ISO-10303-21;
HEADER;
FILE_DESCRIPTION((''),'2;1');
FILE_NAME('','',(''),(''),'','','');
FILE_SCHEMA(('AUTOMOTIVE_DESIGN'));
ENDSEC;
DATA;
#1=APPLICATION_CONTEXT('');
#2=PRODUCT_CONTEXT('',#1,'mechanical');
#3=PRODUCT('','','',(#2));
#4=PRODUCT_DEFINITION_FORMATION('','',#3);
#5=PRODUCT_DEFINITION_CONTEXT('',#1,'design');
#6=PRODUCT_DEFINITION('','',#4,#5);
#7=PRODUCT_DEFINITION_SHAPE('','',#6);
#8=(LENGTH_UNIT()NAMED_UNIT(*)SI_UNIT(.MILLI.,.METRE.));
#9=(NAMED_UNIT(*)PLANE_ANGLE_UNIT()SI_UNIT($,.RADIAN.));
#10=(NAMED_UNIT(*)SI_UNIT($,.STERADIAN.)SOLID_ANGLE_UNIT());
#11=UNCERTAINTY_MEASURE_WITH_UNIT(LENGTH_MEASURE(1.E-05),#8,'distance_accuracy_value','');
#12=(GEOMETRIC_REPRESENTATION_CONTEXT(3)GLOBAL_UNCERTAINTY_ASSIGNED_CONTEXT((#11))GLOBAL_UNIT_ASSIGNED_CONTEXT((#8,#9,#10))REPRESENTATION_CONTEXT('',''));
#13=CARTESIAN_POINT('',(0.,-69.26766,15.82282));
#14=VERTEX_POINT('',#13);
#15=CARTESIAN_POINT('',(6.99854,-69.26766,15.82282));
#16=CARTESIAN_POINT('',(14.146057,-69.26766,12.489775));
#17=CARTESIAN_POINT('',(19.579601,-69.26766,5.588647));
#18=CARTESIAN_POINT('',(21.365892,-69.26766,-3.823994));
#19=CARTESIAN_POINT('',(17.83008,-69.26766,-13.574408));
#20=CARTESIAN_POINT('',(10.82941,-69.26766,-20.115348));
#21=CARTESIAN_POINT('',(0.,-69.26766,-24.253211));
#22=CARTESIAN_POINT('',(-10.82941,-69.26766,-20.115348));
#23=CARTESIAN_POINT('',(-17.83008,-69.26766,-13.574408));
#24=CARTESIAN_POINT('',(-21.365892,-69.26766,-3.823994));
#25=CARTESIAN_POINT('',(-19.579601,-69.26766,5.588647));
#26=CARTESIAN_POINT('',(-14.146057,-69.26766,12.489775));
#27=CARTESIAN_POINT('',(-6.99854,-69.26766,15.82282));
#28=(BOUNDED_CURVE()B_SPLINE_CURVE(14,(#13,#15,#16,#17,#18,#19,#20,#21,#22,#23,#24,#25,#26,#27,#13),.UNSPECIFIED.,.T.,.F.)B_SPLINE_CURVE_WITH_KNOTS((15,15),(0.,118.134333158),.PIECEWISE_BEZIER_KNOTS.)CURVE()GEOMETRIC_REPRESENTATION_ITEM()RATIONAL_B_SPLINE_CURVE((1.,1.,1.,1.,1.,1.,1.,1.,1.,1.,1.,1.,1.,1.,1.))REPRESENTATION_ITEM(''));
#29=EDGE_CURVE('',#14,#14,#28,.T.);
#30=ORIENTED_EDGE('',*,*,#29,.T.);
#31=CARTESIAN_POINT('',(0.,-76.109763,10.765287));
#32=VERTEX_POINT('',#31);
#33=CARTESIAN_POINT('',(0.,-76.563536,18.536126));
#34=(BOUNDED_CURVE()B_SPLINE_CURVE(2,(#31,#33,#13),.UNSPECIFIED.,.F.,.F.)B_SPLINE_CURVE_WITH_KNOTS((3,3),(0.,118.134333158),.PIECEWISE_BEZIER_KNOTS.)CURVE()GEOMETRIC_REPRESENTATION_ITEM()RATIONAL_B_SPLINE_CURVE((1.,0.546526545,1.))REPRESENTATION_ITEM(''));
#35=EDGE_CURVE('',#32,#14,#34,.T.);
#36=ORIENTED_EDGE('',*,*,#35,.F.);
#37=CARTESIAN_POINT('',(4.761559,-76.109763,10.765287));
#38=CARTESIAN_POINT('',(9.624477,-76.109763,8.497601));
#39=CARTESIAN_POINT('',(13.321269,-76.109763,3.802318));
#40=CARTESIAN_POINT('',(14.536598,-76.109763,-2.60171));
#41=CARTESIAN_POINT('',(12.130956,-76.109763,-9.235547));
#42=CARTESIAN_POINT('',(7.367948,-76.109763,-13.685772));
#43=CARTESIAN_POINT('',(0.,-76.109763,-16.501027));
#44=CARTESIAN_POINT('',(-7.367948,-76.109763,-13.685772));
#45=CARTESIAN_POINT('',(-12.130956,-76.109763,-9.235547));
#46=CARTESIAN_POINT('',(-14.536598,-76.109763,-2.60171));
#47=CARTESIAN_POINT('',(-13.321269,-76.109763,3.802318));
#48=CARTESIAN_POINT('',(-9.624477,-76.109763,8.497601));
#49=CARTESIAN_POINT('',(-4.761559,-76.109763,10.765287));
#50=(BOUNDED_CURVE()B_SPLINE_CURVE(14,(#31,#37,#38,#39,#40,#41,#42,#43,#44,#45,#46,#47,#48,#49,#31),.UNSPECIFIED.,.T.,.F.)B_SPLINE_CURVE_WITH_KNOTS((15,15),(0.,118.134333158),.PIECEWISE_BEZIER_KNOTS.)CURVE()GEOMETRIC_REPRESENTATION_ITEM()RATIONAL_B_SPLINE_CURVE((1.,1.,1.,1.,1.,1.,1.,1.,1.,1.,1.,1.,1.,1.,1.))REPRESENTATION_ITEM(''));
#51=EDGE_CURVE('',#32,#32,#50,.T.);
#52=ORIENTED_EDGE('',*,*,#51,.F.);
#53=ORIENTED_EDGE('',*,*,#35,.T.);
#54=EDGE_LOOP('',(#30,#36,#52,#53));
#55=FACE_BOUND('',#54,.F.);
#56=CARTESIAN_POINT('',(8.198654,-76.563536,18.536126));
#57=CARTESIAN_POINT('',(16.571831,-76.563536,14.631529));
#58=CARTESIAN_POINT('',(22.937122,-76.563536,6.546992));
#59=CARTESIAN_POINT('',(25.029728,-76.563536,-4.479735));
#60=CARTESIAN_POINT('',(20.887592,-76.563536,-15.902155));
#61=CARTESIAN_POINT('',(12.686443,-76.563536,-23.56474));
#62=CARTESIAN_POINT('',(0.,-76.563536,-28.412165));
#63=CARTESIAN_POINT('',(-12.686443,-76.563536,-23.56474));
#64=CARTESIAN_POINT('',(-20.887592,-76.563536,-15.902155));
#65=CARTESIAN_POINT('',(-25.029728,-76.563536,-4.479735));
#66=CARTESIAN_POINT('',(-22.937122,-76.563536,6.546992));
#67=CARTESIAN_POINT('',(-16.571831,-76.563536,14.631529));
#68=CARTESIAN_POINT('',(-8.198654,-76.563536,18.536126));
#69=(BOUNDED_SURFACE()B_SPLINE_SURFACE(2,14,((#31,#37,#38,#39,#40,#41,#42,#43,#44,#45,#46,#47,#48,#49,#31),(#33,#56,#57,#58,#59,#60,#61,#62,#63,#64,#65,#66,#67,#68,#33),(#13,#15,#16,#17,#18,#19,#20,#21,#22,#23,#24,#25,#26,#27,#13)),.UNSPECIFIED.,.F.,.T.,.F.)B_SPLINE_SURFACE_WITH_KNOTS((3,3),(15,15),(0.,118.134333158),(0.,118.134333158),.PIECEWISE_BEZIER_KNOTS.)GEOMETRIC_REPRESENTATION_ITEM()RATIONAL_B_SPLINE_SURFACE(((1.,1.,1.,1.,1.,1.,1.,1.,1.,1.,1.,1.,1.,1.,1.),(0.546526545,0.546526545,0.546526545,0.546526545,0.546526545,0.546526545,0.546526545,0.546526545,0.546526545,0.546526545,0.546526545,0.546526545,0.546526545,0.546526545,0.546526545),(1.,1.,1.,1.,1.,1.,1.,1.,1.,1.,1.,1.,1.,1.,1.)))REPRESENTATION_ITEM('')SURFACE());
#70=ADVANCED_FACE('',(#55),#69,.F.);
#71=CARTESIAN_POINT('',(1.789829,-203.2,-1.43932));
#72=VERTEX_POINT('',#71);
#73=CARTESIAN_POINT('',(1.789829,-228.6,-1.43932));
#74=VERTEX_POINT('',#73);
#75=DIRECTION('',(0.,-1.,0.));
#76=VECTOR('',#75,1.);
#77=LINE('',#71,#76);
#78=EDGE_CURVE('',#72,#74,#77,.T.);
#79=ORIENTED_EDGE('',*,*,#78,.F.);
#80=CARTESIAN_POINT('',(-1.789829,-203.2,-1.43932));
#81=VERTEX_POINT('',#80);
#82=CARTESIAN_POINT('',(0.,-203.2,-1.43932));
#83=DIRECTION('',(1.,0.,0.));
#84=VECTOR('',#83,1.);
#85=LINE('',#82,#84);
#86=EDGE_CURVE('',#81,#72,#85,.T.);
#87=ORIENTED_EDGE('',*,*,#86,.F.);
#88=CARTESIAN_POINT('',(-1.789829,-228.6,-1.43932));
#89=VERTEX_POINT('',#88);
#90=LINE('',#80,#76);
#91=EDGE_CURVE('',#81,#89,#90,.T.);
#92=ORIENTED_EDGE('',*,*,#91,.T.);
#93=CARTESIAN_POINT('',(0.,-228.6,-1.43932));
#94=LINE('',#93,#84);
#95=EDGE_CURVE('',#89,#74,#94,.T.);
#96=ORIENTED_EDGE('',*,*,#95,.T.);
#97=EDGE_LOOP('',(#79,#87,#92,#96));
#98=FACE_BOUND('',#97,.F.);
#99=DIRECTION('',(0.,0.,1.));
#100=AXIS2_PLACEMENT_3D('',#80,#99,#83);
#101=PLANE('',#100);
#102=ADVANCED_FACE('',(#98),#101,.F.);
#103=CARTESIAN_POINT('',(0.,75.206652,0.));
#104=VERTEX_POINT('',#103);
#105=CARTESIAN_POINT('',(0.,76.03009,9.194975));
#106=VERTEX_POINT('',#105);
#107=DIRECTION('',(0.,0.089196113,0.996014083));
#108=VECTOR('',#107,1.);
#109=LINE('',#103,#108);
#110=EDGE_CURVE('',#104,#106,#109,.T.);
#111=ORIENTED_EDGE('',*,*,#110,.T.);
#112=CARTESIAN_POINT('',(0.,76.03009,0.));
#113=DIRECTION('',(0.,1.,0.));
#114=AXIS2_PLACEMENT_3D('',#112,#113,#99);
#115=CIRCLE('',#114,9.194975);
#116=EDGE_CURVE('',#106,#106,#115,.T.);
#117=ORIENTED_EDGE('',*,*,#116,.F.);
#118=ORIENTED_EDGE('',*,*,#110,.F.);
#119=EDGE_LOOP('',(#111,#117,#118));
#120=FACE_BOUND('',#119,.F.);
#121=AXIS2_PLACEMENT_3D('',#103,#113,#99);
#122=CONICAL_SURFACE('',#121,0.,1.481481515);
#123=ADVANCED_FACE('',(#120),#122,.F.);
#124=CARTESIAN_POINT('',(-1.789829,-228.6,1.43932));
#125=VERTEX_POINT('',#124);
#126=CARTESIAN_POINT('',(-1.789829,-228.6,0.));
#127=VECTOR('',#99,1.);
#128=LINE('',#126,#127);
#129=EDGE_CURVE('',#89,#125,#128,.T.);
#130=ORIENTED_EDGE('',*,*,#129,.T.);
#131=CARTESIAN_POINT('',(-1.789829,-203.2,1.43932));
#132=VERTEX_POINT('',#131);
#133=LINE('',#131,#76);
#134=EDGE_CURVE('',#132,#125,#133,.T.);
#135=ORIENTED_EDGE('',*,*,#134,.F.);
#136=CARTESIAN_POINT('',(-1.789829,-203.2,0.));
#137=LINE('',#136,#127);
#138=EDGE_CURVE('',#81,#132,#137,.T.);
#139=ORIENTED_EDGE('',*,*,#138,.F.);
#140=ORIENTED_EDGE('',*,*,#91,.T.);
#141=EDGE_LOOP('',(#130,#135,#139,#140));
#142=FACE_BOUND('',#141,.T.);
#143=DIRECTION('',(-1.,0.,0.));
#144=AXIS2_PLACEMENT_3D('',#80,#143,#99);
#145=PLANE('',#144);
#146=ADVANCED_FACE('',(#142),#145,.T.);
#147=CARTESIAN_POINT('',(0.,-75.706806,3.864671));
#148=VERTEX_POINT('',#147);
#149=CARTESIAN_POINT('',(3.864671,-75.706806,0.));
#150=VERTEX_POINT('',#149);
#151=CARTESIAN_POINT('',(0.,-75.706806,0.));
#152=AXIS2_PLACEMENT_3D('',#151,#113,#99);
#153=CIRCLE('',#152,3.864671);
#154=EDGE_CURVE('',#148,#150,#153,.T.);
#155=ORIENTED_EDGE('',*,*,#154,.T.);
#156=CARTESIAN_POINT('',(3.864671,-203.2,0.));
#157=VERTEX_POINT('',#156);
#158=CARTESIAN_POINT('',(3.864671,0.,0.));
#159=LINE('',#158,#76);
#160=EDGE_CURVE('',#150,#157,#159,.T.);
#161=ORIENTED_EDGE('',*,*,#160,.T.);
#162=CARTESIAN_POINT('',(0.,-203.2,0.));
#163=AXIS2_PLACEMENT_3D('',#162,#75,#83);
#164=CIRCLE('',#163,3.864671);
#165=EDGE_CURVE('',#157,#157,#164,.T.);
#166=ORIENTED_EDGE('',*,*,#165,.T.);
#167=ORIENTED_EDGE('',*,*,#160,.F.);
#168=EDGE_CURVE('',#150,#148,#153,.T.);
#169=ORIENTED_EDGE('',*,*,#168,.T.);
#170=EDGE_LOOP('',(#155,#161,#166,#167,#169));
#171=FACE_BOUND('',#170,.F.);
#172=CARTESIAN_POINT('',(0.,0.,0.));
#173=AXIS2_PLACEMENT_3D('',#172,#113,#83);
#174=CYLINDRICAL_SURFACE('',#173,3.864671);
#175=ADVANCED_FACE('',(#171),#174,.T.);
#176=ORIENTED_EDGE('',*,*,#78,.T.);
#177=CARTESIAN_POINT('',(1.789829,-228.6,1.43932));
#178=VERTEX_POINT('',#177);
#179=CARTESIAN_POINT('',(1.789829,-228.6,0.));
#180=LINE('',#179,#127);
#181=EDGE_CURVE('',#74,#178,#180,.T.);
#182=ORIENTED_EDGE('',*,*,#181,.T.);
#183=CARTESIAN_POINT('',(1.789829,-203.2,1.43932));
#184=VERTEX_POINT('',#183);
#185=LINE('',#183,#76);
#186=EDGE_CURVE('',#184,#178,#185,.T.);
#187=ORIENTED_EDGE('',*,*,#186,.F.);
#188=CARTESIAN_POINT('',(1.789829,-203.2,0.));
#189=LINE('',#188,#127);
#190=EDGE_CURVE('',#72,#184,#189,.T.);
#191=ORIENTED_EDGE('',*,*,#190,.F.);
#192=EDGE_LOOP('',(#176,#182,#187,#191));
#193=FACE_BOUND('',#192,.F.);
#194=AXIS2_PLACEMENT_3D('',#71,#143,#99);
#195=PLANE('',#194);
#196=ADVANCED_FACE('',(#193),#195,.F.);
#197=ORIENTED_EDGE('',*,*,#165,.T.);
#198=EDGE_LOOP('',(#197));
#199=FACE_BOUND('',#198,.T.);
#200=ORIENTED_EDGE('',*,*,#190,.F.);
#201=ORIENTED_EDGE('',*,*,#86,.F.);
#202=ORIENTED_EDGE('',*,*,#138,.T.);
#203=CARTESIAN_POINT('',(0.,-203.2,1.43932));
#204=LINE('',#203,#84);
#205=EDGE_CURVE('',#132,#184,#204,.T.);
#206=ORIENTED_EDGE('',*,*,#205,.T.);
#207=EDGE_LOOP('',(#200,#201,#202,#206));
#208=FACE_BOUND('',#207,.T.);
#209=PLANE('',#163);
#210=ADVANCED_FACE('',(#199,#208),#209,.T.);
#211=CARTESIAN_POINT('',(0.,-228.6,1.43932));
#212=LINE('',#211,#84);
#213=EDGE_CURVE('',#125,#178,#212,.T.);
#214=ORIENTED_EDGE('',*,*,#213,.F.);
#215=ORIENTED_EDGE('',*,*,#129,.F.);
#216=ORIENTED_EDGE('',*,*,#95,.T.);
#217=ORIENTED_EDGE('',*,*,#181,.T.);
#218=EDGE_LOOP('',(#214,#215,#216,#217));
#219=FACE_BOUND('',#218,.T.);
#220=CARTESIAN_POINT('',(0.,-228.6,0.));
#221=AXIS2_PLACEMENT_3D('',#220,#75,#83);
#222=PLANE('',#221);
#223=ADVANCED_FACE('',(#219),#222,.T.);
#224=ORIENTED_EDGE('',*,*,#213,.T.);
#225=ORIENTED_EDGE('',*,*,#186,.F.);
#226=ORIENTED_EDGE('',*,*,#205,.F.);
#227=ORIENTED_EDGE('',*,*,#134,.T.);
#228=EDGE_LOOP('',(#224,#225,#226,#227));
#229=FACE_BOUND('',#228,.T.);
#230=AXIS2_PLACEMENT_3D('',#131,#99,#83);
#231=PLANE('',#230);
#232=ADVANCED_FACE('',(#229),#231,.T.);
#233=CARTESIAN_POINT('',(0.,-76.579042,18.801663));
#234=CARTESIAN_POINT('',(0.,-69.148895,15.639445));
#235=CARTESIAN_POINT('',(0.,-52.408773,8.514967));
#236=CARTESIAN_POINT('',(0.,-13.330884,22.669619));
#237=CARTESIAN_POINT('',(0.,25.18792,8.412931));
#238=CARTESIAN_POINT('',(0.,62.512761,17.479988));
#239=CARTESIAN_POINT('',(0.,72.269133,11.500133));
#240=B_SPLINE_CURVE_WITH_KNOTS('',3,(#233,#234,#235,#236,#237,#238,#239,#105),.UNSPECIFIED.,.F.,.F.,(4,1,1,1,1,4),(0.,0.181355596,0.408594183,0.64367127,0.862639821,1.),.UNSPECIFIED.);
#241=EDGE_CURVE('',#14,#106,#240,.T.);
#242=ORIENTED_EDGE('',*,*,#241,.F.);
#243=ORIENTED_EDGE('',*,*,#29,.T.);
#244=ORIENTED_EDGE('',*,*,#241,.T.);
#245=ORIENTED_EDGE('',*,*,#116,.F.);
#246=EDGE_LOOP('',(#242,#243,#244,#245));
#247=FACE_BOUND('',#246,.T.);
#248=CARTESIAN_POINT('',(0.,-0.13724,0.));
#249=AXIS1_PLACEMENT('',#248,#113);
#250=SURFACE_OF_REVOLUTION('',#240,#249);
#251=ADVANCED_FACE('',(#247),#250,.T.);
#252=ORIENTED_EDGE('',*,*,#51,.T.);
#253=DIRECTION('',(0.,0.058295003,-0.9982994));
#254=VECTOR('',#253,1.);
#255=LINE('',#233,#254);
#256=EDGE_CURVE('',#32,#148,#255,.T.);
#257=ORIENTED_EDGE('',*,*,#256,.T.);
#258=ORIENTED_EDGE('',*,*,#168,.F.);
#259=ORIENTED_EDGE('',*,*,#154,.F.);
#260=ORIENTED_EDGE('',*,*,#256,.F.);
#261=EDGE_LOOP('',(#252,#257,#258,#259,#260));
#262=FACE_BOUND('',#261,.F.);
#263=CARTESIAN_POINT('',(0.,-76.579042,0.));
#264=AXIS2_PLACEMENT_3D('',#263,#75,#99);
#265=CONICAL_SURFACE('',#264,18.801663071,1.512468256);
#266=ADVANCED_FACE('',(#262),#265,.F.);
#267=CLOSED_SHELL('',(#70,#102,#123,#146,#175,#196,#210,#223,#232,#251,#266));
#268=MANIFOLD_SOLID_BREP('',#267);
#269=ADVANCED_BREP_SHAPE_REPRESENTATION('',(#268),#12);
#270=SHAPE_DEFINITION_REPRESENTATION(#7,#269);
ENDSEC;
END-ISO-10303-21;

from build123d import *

# Parameters (mm, degrees)
F2_R     = 3.8646706833
F3_DEPTH = 203.2
F4_R     = 5.08
F5_W     = 3.5796575248
F5_H     = 2.878639847
F6_DEPTH = 25.4


with BuildPart() as f1:
    # F0 (on Right) → F1 (revolve)
    with BuildSketch(Plane.YZ):
        with BuildLine():
            add(Edge.make_bspline(
                [(-76.579041779, 18.8016630709), (-69.1488949828, 15.6394448175), (-52.4087731855, 8.5149666392), (-13.3308835609, 22.6696192437), (25.1879196064, 8.4129311715), (62.5127613012, 17.479987921), (72.2691334601, 11.5001326867), (76.0300904512, 9.1949747875)],
                knots=[0, 0, 0, 0, 0.1813555958, 0.4085941832, 0.64367127, 0.8626398208, 1, 1, 1, 1], degree=3))
            Line((-76.579041779, 18.8016630709), (-75.4811316729, 0))
            Line((-75.4811316729, 0), (75.2066522837, 0))
            Line((75.2066522837, 0), (76.0300904512, 9.1949747875))
        make_face()
    revolve(axis=Axis((0, -0.1372396946, 0), (0, 1, 0)))

    # F2 (on Front) → F3 (join)
    with BuildSketch(Plane.XZ):
        Circle(F2_R)
    extrude(amount=F3_DEPTH)

    # F4
    f4_edges = [f1.edges().sort_by_distance(p)[0] for p in [
        (0, -76.579042, -18.801663),
    ]]
    fillet(f4_edges, radius=F4_R)

    # F5 (on face) → F6 (join)
    with BuildSketch(Plane.XZ.offset(203.2)):
        Rectangle(F5_W, F5_H)
    extrude(amount=F6_DEPTH)


solid = f1.part
